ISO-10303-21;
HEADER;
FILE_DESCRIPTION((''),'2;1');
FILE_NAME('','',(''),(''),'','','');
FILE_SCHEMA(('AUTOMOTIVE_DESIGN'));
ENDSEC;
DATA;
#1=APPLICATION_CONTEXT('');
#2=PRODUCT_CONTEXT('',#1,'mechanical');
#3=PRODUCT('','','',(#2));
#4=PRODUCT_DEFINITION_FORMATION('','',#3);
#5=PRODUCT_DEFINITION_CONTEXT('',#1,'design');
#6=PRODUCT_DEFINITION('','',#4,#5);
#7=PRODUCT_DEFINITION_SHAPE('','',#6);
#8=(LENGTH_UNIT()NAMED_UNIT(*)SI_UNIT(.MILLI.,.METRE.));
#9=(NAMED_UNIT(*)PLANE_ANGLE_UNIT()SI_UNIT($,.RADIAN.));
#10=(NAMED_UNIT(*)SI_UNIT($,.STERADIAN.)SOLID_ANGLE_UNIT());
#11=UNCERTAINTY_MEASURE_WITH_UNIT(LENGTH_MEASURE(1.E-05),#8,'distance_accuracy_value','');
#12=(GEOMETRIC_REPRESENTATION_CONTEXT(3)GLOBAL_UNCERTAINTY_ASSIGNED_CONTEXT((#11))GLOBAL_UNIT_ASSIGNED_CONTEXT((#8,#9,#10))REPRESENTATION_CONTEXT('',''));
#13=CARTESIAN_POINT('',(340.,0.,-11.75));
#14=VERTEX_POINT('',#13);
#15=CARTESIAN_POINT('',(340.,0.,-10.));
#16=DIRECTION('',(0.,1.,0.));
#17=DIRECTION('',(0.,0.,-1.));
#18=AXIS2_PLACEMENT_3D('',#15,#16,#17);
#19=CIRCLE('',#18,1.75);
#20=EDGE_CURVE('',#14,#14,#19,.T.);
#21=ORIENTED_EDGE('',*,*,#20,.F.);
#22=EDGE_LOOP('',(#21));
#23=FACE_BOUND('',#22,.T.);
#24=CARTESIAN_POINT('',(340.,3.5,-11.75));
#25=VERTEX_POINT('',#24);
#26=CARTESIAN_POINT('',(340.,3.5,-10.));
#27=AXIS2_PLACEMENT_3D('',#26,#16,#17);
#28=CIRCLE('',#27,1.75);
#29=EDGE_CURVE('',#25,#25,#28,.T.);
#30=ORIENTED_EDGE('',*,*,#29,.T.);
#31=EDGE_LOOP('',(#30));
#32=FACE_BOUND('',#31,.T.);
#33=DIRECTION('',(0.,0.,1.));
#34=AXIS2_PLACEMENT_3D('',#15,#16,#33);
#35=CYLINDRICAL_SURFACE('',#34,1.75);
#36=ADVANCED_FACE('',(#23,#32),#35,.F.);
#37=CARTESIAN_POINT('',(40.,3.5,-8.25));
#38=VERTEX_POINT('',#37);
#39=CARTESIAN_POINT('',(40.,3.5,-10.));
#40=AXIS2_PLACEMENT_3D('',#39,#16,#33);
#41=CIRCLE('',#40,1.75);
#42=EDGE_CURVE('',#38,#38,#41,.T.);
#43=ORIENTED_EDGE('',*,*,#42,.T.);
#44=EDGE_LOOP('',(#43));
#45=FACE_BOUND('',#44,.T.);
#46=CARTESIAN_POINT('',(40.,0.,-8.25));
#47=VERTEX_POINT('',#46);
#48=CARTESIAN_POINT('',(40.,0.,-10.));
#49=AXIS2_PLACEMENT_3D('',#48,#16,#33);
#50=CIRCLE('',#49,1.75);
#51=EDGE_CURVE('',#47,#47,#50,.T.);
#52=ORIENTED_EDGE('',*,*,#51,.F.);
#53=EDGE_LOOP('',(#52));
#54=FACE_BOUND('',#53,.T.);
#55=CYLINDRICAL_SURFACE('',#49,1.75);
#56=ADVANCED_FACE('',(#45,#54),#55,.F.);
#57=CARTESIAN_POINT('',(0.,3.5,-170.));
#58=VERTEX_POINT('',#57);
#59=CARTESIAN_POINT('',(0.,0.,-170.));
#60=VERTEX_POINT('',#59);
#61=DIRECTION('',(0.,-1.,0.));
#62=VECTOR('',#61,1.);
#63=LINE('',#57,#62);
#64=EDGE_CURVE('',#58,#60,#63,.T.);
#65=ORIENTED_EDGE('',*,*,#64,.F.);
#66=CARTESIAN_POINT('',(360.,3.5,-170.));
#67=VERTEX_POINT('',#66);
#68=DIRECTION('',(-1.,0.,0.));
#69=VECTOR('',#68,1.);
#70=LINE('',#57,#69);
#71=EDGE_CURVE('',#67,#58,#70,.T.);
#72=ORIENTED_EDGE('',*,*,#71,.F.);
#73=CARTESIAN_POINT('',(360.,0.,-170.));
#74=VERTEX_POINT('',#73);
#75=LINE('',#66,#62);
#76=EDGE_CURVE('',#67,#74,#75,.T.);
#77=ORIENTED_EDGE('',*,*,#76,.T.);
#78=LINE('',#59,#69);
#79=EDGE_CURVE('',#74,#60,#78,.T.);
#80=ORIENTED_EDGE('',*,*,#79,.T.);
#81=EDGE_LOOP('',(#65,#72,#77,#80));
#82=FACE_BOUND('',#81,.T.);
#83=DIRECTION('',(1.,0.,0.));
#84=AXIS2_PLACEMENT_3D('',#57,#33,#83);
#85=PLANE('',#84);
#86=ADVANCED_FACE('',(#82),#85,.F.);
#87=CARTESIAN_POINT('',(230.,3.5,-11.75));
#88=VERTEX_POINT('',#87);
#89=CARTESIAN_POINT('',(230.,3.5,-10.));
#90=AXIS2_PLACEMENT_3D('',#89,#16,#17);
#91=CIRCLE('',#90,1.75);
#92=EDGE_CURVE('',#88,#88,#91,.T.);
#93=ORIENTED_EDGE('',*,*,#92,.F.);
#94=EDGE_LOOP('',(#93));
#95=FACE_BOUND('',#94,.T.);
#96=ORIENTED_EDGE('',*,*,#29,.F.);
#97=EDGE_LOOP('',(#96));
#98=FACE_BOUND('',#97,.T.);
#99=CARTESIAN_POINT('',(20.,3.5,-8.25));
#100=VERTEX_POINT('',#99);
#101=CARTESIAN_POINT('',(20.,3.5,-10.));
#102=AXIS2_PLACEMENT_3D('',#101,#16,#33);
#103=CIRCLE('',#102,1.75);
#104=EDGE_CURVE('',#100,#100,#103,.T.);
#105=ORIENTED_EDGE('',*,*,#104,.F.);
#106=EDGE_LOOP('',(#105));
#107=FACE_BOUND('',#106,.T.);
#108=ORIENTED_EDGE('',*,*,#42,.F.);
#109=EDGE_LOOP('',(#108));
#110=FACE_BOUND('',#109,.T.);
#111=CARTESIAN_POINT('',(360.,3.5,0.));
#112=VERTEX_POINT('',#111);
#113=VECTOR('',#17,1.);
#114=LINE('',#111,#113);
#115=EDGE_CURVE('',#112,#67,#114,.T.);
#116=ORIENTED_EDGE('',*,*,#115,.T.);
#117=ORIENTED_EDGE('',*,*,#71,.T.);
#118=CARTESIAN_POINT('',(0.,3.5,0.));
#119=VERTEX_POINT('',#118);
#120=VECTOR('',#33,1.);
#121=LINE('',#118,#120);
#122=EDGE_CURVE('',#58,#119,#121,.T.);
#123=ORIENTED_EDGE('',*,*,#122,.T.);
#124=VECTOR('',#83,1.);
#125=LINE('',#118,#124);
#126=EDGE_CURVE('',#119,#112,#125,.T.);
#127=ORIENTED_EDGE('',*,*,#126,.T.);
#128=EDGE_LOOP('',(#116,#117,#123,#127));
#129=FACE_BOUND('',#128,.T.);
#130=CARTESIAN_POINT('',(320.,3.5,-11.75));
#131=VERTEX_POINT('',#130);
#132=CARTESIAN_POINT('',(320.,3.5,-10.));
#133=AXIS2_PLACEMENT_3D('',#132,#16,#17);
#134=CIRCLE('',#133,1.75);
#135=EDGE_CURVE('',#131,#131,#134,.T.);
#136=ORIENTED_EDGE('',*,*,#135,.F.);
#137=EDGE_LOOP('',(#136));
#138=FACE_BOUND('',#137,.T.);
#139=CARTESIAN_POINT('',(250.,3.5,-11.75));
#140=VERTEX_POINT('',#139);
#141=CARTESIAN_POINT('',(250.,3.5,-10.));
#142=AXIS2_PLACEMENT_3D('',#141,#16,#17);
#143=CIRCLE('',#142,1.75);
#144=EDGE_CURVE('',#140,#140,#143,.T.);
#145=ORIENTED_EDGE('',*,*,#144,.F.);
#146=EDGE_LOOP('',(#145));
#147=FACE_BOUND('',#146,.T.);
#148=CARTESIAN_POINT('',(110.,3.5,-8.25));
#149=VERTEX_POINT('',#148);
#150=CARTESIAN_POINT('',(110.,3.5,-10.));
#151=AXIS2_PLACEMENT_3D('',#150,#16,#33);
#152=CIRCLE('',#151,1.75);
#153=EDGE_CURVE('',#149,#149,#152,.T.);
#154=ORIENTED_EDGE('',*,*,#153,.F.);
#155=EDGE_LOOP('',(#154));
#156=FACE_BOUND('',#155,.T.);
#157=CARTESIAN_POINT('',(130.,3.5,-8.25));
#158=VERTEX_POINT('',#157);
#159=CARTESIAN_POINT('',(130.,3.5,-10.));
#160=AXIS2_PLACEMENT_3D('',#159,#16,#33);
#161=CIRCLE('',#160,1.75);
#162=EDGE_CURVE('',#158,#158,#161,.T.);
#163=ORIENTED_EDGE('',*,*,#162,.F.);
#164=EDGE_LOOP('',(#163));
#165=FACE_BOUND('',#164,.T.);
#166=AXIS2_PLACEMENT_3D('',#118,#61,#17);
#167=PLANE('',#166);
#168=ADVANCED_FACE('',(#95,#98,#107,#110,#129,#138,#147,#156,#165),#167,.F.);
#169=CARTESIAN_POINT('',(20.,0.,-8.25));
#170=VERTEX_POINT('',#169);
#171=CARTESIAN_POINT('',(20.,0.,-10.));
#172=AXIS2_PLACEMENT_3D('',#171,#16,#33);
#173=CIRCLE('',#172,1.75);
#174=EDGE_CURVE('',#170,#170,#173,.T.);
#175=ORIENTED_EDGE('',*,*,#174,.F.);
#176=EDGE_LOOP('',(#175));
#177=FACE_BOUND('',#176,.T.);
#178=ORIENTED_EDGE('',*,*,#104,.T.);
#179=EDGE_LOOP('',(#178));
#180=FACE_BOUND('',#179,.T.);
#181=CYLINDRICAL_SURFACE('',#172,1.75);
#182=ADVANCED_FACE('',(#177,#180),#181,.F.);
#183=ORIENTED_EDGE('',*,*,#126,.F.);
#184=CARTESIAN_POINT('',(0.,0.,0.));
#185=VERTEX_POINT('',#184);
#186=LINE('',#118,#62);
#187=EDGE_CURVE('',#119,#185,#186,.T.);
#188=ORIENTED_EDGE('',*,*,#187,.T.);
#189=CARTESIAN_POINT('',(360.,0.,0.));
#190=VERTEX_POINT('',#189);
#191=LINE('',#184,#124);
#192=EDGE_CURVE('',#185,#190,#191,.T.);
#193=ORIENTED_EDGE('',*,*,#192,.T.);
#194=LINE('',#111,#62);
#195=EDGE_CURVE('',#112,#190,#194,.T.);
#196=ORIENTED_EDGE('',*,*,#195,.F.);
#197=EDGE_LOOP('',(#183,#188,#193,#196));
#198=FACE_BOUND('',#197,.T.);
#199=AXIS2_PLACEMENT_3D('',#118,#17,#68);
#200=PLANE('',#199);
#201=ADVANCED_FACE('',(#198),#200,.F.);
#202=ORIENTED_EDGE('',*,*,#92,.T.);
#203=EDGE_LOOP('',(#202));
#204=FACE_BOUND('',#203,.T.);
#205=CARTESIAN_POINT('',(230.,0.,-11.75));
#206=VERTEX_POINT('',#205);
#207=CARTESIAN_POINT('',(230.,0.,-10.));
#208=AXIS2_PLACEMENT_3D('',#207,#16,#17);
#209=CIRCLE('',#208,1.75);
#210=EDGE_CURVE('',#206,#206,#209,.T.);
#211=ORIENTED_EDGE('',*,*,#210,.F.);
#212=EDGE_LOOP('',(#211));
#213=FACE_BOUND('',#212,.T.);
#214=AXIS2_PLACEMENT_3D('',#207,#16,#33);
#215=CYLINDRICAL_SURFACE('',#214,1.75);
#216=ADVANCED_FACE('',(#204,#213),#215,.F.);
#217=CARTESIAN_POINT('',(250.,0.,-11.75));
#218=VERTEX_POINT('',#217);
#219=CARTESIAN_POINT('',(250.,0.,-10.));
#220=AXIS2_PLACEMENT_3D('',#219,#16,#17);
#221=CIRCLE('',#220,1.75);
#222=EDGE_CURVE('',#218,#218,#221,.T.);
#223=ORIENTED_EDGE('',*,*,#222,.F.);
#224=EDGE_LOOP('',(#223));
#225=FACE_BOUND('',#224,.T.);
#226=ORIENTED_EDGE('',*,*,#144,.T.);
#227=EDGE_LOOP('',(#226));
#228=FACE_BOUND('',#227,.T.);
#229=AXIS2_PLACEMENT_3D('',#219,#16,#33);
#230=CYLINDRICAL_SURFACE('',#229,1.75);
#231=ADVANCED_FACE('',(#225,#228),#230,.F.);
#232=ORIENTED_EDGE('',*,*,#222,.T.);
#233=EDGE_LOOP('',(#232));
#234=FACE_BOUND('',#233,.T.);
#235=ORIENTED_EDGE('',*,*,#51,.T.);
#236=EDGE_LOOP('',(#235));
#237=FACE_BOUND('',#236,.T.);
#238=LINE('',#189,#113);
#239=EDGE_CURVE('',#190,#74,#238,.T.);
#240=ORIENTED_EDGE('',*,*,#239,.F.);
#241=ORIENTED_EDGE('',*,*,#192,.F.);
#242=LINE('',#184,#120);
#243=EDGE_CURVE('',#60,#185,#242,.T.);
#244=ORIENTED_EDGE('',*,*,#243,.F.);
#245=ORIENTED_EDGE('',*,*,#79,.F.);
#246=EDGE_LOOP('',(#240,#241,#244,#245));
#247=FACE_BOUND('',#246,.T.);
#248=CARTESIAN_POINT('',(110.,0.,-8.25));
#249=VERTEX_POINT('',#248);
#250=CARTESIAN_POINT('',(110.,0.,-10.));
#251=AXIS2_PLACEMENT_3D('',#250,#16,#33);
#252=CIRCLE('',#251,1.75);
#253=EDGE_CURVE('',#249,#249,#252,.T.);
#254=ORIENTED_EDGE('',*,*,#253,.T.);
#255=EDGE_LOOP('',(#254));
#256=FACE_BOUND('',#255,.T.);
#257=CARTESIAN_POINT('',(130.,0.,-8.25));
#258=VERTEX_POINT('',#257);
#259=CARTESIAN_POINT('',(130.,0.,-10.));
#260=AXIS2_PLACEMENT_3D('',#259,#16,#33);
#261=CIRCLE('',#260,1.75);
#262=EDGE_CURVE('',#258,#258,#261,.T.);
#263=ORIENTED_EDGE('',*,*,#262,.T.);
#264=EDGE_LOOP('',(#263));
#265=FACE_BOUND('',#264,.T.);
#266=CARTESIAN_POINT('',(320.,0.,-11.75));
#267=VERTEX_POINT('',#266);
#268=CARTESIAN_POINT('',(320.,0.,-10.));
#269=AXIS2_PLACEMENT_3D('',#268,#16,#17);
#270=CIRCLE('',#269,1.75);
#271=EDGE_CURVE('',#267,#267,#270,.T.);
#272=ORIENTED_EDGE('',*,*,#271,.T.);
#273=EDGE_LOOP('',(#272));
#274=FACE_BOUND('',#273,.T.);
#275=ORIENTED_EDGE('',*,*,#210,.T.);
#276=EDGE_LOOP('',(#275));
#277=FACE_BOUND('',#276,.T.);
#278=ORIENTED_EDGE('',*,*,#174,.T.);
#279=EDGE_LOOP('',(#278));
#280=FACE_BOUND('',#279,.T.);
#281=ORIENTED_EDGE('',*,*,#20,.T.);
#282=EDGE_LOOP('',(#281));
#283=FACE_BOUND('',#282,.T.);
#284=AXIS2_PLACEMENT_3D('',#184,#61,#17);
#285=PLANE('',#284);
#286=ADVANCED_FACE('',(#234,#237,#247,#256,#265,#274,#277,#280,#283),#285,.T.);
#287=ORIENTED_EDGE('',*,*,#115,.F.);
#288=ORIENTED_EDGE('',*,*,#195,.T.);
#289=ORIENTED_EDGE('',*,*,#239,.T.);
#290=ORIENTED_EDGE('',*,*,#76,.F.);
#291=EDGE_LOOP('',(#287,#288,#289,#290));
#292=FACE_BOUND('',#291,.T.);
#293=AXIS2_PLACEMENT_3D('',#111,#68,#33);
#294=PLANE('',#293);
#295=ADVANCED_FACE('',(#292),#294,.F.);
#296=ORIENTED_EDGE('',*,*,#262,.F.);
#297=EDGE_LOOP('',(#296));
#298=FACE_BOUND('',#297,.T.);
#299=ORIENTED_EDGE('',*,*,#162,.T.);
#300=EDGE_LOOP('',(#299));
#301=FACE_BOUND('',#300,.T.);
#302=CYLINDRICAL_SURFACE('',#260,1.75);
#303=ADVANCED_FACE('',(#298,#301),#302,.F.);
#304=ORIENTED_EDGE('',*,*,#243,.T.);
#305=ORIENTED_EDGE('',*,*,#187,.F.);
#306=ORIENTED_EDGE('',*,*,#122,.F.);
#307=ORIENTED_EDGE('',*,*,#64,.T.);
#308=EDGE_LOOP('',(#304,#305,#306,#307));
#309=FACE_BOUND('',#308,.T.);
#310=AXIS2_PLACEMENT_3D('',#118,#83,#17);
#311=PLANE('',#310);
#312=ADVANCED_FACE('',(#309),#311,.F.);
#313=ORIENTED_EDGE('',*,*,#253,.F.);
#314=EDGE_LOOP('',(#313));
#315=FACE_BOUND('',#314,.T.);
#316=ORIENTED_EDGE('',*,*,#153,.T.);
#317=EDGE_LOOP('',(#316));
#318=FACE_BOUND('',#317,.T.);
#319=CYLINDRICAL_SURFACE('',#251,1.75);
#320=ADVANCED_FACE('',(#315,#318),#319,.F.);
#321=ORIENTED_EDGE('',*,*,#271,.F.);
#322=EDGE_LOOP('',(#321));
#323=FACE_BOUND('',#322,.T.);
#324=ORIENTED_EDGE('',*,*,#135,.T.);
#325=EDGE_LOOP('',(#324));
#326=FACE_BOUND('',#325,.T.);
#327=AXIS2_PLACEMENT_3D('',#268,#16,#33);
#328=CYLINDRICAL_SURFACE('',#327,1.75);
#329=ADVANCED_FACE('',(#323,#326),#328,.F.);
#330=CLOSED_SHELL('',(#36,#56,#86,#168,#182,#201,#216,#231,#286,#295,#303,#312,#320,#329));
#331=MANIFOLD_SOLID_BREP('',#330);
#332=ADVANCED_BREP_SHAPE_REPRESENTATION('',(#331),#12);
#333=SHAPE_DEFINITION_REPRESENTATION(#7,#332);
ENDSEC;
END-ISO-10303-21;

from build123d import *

# Parameters (mm, degrees)
SKETCH1_W           = 360
SKETCH1_H           = 170
BOSS_EXTRUDE1_DEPTH = 3.5
SKETCH2_R           = 1.75
CUT_EXTRUDE1_DEPTH  = 3.5


with BuildPart() as part:
    # Sketch1 → Boss-Extrude1 (new body)
    with BuildSketch(Plane(origin=(0, 0, 0), x_dir=(1, 0, 0), z_dir=(0, 1, 0))):
        with Locations((180, 85)):
            Rectangle(SKETCH1_W, SKETCH1_H)
    extrude(amount=BOSS_EXTRUDE1_DEPTH)

    # Sketch2 → Cut-Extrude1 (cut)
    with BuildSketch(Plane(origin=(0, 3.5, 0), x_dir=(1, 0, 0), z_dir=(0, 1, 0))):
        with Locations((20, 10)):
            Circle(SKETCH2_R)
        with Locations((40, 10)):
            Circle(SKETCH2_R)
        with Locations((110, 10)):
            Circle(SKETCH2_R)
        with Locations((130, 10)):
            Circle(SKETCH2_R)
        with Locations((230, 10)):
            Circle(SKETCH2_R)
        with Locations((250, 10)):
            Circle(SKETCH2_R)
        with Locations((320, 10)):
            Circle(SKETCH2_R)
        with Locations((340, 10)):
            Circle(SKETCH2_R)
    extrude(amount=-CUT_EXTRUDE1_DEPTH, mode=Mode.SUBTRACT)


solid = part.part
